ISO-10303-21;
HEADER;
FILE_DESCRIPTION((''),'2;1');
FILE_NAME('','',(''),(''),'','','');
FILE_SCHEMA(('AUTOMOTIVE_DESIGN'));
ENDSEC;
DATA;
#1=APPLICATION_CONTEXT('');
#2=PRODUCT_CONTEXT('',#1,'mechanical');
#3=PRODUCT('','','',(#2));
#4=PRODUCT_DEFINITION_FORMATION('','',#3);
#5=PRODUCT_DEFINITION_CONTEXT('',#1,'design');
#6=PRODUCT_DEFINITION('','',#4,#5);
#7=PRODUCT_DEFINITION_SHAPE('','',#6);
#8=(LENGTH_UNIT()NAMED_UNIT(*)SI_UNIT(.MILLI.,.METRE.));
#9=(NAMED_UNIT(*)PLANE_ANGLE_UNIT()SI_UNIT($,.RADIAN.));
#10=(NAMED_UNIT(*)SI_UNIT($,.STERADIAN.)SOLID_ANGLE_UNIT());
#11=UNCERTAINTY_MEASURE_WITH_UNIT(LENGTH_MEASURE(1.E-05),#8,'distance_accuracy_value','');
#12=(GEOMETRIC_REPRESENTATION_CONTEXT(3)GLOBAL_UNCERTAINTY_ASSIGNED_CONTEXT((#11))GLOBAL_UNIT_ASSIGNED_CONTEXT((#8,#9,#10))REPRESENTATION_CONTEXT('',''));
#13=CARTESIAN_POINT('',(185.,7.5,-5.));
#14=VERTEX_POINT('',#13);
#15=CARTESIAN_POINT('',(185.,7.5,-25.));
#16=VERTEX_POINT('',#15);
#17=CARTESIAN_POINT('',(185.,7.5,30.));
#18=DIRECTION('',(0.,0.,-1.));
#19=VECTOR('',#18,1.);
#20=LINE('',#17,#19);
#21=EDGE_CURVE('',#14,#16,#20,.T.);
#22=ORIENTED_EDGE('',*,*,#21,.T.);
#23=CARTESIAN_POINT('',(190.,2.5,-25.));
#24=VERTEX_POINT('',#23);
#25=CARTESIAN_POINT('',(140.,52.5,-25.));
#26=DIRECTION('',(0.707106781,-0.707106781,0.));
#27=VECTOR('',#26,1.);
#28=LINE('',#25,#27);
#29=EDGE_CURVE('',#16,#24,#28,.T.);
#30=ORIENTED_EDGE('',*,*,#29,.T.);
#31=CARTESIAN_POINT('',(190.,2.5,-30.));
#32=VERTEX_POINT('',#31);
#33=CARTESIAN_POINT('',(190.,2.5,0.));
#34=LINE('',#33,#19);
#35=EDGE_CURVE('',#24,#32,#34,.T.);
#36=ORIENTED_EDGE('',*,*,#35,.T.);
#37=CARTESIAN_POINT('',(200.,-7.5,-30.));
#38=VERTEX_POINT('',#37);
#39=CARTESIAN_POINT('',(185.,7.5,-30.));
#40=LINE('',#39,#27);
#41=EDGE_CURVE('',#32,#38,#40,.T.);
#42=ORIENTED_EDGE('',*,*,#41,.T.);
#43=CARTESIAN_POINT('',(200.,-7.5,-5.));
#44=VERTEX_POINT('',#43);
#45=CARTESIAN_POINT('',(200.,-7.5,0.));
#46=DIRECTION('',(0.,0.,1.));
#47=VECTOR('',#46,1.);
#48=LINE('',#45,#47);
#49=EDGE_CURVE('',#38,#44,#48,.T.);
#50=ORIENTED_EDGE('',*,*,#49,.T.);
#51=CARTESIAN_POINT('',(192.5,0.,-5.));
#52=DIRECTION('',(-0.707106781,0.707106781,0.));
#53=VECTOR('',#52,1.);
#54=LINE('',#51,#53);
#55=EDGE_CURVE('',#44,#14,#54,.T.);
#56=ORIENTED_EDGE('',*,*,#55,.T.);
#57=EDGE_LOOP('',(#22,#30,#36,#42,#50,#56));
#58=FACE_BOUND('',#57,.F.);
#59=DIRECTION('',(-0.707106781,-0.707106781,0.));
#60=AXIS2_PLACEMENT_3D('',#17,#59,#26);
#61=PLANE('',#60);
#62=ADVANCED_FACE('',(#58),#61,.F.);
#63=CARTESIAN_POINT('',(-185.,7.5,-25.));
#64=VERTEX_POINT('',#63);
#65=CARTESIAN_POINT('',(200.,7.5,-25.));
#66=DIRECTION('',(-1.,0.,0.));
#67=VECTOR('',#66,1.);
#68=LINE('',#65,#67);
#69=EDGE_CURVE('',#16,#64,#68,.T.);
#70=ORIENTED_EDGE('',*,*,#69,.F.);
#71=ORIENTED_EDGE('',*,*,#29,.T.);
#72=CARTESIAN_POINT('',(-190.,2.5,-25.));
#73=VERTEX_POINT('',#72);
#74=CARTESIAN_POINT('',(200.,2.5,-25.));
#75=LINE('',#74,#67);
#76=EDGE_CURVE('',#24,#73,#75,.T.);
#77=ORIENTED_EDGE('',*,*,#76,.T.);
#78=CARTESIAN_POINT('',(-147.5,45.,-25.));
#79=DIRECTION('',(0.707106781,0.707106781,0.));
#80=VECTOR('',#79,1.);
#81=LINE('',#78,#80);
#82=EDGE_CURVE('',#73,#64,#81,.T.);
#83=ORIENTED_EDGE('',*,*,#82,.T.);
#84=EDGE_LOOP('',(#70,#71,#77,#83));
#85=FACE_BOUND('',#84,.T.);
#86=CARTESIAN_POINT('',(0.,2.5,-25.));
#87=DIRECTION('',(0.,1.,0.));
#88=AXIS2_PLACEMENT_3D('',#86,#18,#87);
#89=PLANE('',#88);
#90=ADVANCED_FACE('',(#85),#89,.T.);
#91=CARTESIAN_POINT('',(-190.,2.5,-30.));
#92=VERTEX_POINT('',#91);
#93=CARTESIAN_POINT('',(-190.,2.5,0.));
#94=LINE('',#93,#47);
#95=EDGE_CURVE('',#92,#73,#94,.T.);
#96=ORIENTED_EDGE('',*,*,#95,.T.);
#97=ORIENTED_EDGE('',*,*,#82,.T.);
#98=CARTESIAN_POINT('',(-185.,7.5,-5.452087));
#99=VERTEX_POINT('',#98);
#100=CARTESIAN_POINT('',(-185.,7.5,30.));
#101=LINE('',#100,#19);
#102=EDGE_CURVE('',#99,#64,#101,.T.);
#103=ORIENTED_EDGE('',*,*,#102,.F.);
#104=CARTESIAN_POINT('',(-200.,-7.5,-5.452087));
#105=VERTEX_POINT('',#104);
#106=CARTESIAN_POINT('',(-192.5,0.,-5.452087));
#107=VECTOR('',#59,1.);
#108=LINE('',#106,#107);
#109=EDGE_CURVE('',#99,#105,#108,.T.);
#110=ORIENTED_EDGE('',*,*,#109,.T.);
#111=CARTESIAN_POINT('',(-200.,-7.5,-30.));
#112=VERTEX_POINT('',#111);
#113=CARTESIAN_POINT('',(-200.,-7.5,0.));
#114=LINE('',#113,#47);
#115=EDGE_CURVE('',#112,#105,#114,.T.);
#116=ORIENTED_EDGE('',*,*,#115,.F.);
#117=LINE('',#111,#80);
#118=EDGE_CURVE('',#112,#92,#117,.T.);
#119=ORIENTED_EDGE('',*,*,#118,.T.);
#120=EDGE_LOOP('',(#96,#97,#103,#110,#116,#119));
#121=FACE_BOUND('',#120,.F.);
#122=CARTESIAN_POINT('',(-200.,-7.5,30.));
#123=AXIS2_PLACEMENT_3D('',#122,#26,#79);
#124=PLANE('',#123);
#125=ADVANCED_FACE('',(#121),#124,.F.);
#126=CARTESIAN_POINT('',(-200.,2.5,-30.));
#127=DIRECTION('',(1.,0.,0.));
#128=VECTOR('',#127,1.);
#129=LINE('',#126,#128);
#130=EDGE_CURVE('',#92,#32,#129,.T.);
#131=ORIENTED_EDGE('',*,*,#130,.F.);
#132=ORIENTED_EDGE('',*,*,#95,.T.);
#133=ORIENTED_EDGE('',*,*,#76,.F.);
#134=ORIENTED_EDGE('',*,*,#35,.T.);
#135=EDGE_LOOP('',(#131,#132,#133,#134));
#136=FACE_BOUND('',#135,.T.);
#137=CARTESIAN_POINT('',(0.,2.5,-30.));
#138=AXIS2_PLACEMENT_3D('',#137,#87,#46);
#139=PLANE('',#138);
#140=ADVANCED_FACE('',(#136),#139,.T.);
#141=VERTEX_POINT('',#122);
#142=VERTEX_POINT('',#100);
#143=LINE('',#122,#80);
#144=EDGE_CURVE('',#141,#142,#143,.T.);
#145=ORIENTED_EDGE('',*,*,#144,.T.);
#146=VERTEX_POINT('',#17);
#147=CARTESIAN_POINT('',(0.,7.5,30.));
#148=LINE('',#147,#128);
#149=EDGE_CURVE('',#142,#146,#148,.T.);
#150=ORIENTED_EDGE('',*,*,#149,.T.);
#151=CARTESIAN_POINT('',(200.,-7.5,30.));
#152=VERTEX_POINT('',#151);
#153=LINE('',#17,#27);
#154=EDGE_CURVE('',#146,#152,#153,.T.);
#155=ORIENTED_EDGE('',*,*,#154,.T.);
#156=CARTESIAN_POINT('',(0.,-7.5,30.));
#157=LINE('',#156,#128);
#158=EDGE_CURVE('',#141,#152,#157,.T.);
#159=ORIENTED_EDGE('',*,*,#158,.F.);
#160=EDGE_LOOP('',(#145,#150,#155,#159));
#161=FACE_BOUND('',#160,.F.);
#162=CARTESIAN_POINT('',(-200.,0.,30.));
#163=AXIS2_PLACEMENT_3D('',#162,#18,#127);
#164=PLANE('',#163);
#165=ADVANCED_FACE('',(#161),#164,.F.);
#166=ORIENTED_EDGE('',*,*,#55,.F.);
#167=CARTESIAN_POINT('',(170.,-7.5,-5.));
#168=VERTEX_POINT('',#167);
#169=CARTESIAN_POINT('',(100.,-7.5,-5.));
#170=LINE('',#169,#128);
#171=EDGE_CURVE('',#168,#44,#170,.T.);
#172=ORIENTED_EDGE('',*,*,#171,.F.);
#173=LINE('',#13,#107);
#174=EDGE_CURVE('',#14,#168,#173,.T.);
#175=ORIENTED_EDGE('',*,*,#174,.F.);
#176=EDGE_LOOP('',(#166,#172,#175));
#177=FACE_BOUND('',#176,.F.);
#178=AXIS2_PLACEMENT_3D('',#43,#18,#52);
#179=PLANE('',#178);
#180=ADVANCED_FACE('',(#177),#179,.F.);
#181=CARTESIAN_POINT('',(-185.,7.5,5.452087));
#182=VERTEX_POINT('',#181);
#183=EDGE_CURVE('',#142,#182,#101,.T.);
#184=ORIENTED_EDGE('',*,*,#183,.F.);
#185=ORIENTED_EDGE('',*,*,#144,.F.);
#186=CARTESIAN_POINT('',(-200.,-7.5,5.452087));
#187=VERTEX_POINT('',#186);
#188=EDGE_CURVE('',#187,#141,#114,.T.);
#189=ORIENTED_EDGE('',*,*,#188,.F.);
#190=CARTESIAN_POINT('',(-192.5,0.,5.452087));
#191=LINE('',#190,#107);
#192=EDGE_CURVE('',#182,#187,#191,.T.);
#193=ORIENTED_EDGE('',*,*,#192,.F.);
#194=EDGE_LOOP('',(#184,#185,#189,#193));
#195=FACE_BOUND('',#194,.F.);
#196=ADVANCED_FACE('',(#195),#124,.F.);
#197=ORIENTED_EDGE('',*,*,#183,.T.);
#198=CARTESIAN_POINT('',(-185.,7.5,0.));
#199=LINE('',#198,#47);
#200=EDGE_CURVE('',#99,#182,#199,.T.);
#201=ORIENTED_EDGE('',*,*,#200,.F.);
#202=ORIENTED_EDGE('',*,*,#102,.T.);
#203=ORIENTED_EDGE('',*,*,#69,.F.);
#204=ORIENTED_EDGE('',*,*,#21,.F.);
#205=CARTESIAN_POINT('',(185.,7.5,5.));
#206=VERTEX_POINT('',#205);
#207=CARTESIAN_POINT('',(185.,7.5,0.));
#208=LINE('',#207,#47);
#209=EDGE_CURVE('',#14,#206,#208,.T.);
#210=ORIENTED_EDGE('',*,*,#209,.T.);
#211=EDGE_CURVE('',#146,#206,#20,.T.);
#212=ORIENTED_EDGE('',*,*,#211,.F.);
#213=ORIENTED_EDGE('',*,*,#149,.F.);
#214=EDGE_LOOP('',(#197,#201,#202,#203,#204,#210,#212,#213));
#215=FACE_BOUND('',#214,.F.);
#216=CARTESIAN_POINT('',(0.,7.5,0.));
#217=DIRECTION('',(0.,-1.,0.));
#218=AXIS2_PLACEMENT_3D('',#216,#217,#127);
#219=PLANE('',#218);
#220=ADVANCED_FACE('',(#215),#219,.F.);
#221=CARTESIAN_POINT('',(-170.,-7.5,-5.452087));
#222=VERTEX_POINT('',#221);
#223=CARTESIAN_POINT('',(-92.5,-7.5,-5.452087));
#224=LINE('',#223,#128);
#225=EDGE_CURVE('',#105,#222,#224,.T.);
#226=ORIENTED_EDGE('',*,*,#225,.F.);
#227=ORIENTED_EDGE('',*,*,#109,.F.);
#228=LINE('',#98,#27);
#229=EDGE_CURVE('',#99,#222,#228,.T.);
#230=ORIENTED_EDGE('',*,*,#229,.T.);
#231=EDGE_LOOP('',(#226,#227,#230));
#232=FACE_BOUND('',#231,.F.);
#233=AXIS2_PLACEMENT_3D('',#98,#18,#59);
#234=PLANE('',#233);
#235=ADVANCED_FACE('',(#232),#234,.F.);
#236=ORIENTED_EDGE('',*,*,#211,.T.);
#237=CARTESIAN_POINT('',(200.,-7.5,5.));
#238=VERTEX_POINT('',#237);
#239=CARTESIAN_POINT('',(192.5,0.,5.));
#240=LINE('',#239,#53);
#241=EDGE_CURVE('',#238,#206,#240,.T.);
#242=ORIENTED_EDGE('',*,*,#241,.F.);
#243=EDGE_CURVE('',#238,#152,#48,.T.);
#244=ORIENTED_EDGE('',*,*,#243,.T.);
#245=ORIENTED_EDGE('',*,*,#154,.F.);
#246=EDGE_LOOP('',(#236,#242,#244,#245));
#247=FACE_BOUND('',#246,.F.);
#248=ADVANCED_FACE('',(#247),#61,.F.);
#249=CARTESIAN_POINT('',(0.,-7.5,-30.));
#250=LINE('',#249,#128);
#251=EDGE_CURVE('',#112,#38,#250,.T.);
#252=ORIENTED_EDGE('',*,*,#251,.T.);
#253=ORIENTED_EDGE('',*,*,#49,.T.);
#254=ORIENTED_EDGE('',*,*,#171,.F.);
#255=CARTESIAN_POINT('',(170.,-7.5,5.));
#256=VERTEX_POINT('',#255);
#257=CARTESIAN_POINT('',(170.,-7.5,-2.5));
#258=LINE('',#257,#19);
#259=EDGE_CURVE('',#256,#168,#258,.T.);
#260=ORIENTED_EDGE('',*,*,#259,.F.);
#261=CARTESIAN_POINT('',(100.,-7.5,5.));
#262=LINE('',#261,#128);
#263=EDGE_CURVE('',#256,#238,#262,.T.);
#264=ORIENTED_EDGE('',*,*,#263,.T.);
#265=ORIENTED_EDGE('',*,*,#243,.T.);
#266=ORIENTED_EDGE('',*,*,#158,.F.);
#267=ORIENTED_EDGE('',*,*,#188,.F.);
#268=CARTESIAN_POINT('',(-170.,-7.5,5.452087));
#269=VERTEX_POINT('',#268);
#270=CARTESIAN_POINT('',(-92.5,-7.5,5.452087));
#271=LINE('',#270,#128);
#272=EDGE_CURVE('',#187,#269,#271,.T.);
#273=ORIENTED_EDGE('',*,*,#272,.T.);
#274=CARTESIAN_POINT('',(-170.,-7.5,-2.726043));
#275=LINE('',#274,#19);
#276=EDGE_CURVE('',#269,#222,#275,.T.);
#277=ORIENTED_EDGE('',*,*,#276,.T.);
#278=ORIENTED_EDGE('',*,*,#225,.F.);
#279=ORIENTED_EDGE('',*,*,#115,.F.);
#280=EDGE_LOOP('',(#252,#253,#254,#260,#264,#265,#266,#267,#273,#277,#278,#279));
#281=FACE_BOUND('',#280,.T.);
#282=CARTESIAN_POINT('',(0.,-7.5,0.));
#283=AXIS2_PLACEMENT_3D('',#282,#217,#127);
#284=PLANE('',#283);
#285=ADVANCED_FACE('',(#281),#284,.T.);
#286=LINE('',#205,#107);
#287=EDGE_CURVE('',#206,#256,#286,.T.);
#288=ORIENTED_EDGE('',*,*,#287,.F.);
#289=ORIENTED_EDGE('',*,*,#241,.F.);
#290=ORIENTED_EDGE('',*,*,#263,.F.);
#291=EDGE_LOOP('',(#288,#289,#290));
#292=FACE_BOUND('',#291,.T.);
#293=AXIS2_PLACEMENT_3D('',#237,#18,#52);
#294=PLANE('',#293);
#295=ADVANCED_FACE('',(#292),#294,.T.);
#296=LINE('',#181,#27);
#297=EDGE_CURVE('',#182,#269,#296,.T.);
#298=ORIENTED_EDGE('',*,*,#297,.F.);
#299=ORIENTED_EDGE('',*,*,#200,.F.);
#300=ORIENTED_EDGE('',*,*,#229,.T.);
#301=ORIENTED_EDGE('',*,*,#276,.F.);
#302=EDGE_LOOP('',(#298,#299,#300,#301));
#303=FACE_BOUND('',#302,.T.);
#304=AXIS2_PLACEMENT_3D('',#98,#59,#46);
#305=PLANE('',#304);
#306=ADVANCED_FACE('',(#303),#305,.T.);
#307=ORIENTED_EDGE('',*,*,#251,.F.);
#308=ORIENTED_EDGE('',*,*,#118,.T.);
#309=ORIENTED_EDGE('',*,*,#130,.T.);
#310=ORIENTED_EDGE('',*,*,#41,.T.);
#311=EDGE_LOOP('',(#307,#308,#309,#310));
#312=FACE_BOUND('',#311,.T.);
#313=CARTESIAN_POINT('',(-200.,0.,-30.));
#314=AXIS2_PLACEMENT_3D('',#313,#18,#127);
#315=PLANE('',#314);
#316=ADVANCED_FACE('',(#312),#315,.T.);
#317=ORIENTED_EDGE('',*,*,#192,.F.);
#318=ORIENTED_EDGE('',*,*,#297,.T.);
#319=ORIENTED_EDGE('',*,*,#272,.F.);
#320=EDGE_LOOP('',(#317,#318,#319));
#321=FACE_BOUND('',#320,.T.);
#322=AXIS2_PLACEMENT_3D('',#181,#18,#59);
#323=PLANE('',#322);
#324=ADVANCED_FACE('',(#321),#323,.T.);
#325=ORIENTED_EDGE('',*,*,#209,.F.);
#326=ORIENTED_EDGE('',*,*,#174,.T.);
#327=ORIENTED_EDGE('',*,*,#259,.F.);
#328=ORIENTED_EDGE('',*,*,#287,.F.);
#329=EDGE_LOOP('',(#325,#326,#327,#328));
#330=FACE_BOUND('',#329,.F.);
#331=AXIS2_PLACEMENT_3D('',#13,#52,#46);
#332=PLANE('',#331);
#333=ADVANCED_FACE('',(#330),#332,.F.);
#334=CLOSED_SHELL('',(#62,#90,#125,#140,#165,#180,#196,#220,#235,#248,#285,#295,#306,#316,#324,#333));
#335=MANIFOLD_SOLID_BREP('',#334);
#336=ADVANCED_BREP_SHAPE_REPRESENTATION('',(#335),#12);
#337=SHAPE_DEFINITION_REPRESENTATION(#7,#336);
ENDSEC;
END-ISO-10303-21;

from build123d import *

# Parameters (mm, degrees)
F0_W     = 400
F0_H     = 60
F1_DEPTH = 7.5
F3_DEPTH = 60
F4_W     = 21.213203
F4_H     = 10
F5_DEPTH = 25
F6_W     = 21.213203
F6_H     = 10.904174
F7_DEPTH = 25
F8_W     = 5
F8_H     = 5
F9_DEPTH = 200


with BuildPart() as f1:
    # F0 (on Front) → F1 (new body, symmetric)
    with BuildSketch(Plane.XZ):
        Rectangle(F0_W, F0_H)
    extrude(amount=F1_DEPTH, both=True)

    # F2 (on face) → F3 (cut)
    with BuildSketch(Plane.XY.offset(30)):
        Polygon((-200, 7.5), (-200, -7.5), (-185, 7.5), align=None)
        Polygon((185, 7.5), (200, -7.5), (200, 7.5), align=None)
    extrude(amount=-F3_DEPTH, mode=Mode.SUBTRACT)

    # F4 (on face) → F5 (cut)
    with BuildSketch(Plane(origin=(96.25, 96.25, 0), x_dir=(-0.707107, 0.707107, 0), z_dir=(0.707107, 0.707107, 0))):
        with Locations((-136.118055, 0)):
            Rectangle(F4_W, F4_H)
    extrude(amount=-F5_DEPTH, mode=Mode.SUBTRACT)

    # F6 (on face) → F7 (cut)
    with BuildSketch(Plane(origin=(-96.25, 96.25, 0), x_dir=(-0.707107, -0.707107, 0), z_dir=(-0.707107, 0.707107, 0))):
        with Locations((136.118055, 0)):
            Rectangle(F6_W, F6_H)
    extrude(amount=-F7_DEPTH, mode=Mode.SUBTRACT)

    # F8 (on Right) → F9 (cut, symmetric)
    with BuildSketch(Plane.YZ):
        with Locations((5, -27.5)):
            Rectangle(F8_W, F8_H)
    extrude(amount=F9_DEPTH, both=True, mode=Mode.SUBTRACT)


solid = f1.part
